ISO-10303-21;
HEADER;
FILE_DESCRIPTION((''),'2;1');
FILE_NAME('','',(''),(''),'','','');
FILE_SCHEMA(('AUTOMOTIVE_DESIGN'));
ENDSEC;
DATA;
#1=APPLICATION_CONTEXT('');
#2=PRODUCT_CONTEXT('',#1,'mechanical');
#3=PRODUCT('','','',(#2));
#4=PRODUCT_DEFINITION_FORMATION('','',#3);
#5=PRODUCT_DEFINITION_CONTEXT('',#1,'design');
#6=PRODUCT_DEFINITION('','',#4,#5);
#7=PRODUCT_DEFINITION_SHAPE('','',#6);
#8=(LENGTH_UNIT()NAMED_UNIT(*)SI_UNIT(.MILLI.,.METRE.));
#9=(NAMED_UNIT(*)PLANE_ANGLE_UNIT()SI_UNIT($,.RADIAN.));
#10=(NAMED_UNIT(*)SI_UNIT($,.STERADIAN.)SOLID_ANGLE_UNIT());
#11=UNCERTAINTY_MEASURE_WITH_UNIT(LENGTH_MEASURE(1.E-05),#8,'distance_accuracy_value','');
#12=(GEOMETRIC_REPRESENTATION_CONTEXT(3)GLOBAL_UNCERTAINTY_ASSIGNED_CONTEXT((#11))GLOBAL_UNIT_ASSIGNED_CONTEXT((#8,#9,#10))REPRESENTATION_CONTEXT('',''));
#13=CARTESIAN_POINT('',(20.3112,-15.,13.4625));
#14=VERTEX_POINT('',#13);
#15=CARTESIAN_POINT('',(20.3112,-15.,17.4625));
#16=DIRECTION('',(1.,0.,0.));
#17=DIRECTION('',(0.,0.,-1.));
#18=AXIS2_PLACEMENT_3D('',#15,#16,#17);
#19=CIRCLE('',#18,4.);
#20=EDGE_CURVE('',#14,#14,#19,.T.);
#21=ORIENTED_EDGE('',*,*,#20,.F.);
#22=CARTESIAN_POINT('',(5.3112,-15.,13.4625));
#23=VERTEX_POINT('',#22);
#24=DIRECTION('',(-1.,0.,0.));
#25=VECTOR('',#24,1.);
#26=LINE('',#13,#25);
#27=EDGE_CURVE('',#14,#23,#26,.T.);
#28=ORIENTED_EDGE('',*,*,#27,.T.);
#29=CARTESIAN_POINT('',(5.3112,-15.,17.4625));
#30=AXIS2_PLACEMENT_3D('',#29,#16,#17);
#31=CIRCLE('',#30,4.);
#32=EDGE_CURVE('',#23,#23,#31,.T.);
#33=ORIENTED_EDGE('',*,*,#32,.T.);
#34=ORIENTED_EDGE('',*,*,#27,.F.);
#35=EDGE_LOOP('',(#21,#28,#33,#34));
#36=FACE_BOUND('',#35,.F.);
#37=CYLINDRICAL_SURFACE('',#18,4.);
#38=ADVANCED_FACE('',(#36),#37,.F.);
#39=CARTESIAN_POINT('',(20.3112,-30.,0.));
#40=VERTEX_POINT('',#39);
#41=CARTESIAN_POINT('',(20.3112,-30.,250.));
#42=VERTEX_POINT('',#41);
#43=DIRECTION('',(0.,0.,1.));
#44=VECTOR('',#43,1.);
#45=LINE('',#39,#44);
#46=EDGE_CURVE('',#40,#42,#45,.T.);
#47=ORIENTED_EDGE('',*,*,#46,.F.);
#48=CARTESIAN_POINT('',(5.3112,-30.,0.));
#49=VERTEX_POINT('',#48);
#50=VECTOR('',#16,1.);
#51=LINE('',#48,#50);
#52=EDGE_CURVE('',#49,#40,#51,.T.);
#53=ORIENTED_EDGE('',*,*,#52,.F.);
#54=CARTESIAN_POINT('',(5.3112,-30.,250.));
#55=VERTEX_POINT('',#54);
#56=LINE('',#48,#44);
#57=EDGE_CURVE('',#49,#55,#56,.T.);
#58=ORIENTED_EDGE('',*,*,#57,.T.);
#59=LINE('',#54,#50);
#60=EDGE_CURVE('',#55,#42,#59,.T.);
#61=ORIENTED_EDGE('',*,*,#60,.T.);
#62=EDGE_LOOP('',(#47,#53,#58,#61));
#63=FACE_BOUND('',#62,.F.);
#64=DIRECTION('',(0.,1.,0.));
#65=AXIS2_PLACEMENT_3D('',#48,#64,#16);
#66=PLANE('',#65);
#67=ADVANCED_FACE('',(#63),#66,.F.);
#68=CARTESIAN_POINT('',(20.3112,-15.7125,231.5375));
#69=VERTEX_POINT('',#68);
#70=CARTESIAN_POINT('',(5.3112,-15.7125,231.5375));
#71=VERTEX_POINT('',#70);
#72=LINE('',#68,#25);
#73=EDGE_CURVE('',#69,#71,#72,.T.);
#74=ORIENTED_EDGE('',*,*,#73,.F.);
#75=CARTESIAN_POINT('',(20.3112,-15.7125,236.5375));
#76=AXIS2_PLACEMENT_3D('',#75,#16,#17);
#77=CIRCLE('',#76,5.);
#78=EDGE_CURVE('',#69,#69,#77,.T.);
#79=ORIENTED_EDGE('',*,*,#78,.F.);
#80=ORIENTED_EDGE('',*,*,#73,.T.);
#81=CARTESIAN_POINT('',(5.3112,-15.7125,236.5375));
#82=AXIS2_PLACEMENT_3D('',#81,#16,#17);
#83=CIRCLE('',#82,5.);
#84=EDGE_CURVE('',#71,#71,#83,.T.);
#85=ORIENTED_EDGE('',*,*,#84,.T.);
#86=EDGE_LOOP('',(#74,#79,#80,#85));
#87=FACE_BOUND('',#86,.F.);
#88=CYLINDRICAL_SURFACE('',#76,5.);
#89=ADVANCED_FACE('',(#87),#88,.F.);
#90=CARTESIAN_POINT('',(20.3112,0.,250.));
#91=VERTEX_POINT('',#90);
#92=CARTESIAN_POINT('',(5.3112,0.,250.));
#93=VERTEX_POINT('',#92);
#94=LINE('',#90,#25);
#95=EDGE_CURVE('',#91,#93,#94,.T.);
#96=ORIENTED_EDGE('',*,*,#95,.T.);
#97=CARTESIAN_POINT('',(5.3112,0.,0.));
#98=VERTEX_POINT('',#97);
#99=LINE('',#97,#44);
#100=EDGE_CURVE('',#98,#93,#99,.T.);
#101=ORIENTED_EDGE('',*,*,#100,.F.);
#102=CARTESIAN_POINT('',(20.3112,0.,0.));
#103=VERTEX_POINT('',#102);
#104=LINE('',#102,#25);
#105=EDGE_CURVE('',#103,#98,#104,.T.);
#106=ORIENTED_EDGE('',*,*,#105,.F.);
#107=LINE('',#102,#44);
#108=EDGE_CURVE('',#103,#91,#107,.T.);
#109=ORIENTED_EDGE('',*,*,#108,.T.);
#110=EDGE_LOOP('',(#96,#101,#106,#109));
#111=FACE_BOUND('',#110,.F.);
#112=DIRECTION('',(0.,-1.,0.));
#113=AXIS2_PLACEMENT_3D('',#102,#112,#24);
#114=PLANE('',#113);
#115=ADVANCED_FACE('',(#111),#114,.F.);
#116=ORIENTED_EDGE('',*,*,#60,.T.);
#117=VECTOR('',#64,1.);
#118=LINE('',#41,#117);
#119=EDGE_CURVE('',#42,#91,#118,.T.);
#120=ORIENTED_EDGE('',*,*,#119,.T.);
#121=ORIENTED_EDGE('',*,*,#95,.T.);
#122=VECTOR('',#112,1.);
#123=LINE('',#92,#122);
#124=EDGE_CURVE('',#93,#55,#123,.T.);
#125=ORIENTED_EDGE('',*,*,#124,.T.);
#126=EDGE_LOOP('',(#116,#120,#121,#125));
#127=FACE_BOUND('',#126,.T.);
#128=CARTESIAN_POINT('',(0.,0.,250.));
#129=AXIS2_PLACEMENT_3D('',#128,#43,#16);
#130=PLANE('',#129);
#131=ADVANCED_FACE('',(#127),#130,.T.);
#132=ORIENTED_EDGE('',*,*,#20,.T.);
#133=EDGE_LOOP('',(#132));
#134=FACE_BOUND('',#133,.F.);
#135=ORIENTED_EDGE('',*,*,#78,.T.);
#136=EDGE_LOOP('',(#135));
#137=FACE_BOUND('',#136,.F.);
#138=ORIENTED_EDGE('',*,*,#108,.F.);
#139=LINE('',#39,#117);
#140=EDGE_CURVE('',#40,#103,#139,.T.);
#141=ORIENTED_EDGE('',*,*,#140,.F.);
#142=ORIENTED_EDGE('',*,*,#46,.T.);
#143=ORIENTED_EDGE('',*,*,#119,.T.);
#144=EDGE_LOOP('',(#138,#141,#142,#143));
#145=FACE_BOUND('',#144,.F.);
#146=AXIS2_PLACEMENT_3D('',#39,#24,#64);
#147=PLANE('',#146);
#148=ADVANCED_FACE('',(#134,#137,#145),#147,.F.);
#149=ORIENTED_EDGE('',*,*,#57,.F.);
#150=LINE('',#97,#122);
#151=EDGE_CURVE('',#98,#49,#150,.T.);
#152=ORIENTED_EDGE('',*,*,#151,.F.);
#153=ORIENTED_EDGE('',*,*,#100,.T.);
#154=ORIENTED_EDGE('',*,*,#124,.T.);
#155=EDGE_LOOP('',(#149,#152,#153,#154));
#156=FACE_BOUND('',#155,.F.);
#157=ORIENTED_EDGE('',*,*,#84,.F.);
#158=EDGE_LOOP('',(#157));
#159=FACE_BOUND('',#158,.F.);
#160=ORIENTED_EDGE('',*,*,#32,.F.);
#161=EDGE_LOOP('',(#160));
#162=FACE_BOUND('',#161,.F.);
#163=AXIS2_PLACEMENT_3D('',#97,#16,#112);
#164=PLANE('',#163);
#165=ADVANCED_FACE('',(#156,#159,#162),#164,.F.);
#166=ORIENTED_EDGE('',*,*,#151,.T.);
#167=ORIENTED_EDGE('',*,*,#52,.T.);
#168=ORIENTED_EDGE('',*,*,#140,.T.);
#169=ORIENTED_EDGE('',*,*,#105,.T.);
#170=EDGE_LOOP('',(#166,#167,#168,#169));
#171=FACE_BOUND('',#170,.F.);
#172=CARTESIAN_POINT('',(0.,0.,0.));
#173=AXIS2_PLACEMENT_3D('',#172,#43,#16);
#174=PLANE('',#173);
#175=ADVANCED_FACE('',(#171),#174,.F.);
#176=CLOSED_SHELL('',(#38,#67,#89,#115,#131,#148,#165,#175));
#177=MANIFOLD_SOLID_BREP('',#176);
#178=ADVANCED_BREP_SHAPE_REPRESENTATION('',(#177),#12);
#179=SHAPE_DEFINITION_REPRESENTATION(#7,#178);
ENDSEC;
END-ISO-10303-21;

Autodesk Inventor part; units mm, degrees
ref_plane "YZ Plane" through (0, 0, 0) normal (1, 0, 0) x (0, 1, 0)
ref_plane "XZ Plane" through (0, 0, 0) normal (0, 1, 0) x (-1, 0, 0)
ref_plane "XY Plane" through (0, 0, 0) normal (0, 0, 1) x (1, 0, 0)
sketch "Sketch1" plane through (0, 0, 0) normal (0, 0, 1) x (1, 0, 0)
  point P0 (0, 0)
sketch "Sketch2" plane through (0, 0, 0) normal (0, 0, 1) x (1, 0, 0)
  line L0 (20.3112, 0) -> (5.3112, 0)
  line L1 (5.3112, 0) -> (5.3112, -30)
  line L2 (5.3112, -30) -> (20.3112, -30)
  line L3 (20.3112, -30) -> (20.3112, 0)
  point P0 (0, 0)
  dimension "d0" = 15
  dimension "d1" = 30
extrude "Extrusion1" add sketch "Sketch2" along normal blind 250
sketch "Sketch3" plane through (20.3112, -30, 0) normal (1, 0, 0) x (0, 0, -1)
  circle A0 centre (-17.4625, 15) radius 4
  point P0 (0, 30)
  dimension "d4" = 8
extrude "Extrusion2" cut sketch "Sketch3" against normal through all
sketch "Sketch4" plane through (20.3112, -30, 0) normal (1, 0, 0) x (0, 0, -1)
  circle A0 centre (-236.5375, 14.2875) radius 5
  point P0 (0, 30)
  dimension "d7" = 10
extrude "Extrusion3" cut sketch "Sketch4" against normal through all
properties part number "horizontal_strip"
